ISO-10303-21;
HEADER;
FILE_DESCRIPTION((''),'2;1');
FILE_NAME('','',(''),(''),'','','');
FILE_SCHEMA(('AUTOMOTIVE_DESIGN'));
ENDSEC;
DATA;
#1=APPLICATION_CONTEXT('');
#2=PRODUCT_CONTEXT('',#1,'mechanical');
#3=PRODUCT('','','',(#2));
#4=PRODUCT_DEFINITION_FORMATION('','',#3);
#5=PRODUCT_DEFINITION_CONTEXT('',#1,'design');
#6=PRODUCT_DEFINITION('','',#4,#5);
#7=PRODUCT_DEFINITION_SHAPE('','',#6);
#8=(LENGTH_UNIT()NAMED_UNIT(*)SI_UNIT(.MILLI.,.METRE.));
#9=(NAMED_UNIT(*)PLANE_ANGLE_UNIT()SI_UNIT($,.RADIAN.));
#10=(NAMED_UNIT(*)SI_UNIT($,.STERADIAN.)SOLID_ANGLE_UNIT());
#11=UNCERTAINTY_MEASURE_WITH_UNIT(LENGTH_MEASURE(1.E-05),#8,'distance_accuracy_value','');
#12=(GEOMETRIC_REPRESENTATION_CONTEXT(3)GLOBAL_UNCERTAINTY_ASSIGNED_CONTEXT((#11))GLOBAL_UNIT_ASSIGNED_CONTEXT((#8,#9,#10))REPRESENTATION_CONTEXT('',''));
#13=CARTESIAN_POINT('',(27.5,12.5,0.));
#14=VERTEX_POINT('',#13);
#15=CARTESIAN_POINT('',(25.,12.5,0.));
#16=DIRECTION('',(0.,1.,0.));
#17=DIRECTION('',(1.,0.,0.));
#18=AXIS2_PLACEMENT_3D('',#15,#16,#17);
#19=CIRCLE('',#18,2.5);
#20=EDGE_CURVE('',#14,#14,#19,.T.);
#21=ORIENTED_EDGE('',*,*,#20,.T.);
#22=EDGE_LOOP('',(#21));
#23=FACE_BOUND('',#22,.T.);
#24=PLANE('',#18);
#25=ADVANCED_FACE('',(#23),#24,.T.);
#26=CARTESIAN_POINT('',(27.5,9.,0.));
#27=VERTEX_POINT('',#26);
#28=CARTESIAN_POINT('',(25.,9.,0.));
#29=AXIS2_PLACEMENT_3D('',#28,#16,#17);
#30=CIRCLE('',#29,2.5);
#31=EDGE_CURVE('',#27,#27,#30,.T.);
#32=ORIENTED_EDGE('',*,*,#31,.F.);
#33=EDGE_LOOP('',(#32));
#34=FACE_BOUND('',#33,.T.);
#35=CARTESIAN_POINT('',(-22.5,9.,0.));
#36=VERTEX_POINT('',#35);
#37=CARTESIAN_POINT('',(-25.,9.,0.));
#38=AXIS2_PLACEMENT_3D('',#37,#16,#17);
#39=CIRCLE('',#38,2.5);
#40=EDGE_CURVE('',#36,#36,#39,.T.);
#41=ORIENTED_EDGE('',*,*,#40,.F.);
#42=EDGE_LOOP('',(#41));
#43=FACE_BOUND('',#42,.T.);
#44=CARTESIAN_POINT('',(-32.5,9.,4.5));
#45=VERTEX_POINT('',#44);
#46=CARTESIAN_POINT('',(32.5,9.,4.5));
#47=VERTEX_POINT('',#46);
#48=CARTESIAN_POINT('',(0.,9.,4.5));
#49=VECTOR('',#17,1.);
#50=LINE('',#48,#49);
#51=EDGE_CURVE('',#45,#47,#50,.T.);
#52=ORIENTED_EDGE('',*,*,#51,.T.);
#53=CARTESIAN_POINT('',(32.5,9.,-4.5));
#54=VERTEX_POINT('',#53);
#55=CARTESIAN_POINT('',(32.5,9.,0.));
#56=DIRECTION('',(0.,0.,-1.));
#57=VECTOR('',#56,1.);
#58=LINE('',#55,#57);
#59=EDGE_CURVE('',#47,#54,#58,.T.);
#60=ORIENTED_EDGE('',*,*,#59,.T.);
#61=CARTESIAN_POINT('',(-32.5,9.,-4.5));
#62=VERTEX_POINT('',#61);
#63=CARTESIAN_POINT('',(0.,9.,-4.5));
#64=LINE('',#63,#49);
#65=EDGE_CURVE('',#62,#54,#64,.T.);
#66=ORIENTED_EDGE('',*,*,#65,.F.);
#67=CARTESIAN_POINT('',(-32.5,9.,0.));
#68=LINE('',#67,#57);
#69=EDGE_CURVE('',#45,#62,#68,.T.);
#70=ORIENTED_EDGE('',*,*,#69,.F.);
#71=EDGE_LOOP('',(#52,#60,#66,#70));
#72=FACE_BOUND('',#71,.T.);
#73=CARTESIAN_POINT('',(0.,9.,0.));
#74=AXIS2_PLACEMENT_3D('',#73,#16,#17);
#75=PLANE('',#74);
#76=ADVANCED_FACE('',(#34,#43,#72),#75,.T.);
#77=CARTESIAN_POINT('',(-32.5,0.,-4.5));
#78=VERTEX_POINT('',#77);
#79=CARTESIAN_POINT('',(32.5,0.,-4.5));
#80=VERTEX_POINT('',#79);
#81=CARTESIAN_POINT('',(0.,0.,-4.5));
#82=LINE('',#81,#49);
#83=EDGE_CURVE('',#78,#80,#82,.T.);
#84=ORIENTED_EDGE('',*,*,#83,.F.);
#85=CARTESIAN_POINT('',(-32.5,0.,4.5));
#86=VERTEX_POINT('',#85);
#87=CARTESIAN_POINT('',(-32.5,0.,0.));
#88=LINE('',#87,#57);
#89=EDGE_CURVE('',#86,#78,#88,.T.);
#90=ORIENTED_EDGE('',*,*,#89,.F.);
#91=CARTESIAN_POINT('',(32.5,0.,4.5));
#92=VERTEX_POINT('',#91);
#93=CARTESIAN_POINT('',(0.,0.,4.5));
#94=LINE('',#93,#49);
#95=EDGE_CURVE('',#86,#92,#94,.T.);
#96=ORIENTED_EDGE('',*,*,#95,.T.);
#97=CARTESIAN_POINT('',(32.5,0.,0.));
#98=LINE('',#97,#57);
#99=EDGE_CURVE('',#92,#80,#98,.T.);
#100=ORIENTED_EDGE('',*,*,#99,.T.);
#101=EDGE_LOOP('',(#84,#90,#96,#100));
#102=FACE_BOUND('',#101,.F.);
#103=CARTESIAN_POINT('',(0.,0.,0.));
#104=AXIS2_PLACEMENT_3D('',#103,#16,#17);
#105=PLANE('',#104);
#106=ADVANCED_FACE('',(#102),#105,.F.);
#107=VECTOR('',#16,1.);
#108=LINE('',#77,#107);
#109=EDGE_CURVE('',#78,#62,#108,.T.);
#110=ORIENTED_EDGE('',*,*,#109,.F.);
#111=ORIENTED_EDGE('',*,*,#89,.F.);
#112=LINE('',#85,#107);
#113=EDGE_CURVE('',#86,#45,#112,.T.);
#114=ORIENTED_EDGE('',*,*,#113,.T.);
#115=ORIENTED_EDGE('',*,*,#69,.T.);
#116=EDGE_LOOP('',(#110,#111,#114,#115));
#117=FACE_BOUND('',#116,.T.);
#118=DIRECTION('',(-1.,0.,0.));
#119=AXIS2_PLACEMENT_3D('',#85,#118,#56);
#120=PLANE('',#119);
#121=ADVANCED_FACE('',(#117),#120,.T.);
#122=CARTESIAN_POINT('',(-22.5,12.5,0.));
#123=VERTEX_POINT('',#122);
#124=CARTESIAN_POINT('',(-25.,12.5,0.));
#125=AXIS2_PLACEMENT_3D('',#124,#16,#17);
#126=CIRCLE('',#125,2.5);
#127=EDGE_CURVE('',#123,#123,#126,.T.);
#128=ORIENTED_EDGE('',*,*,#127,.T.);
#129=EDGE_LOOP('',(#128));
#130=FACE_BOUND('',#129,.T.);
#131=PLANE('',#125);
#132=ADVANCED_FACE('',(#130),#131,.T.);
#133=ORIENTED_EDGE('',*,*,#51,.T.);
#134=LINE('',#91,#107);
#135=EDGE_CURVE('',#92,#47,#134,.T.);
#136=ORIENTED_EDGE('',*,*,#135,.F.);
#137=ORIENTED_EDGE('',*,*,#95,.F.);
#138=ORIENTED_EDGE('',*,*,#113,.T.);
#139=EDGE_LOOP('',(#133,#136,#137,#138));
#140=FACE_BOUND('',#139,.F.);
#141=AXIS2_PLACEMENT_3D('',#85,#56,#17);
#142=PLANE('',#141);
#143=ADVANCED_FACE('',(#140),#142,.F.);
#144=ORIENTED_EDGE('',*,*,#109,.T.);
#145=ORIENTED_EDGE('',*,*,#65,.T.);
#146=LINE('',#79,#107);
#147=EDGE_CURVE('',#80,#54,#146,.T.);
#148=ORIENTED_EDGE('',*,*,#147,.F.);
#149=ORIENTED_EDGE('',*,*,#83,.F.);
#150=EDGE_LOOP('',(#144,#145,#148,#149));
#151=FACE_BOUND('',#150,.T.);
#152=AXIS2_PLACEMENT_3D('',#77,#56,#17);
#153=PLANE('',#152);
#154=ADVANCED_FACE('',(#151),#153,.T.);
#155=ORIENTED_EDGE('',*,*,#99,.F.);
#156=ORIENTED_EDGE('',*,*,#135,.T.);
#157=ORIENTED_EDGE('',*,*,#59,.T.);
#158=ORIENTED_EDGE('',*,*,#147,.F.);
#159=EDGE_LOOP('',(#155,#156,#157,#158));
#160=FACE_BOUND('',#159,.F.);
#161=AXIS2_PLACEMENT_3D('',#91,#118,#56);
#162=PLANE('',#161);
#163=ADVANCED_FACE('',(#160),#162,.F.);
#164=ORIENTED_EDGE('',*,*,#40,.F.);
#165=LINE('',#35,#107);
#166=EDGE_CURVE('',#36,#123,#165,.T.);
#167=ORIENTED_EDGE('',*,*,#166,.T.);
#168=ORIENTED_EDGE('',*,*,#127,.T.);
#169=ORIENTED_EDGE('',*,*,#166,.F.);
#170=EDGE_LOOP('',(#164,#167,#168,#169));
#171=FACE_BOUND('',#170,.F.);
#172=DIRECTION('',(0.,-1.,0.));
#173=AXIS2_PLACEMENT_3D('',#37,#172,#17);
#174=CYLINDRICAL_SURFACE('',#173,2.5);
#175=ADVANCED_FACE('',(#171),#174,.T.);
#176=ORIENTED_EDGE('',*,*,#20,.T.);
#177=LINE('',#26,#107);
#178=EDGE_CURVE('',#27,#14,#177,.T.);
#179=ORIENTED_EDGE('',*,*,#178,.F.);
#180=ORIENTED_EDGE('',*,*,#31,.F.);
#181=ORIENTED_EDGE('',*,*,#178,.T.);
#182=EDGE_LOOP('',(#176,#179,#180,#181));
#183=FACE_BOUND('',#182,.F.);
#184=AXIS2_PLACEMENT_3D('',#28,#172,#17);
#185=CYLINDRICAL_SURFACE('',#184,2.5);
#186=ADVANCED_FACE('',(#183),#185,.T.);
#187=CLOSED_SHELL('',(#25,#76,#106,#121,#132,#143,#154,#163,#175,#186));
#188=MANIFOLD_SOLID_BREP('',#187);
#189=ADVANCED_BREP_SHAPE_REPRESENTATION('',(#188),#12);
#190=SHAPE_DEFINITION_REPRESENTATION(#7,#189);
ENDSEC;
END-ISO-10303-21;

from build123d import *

# Parameters (mm, degrees)
SKETCH2_W           = 65
SKETCH2_H           = 9
BOSS_EXTRUDE1_DEPTH = 9
SKETCH3_R           = 2.5
BOSS_EXTRUDE2_DEPTH = 3.5
SKETCH4_R           = 2.5
BOSS_EXTRUDE3_DEPTH = 3.5


with BuildPart() as part:
    # Sketch2 → Boss-Extrude1 (new body)
    with BuildSketch(Plane(origin=(0, 0, 0), x_dir=(1, 0, 0), z_dir=(0, 1, 0))):
        Rectangle(SKETCH2_W, SKETCH2_H)
    extrude(amount=BOSS_EXTRUDE1_DEPTH)

    # Sketch3 → Boss-Extrude2 (add)
    with BuildSketch(Plane(origin=(0, 9, 0), x_dir=(1, 0, 0), z_dir=(0, 1, 0))):
        with Locations((-25, 0)):
            Circle(SKETCH3_R)
    extrude(amount=BOSS_EXTRUDE2_DEPTH)

    # Sketch4 → Boss-Extrude3 (add)
    with BuildSketch(Plane(origin=(0, 9, 0), x_dir=(1, 0, 0), z_dir=(0, 1, 0))):
        with Locations((25, 0)):
            Circle(SKETCH4_R)
    extrude(amount=BOSS_EXTRUDE3_DEPTH)


solid = part.part
